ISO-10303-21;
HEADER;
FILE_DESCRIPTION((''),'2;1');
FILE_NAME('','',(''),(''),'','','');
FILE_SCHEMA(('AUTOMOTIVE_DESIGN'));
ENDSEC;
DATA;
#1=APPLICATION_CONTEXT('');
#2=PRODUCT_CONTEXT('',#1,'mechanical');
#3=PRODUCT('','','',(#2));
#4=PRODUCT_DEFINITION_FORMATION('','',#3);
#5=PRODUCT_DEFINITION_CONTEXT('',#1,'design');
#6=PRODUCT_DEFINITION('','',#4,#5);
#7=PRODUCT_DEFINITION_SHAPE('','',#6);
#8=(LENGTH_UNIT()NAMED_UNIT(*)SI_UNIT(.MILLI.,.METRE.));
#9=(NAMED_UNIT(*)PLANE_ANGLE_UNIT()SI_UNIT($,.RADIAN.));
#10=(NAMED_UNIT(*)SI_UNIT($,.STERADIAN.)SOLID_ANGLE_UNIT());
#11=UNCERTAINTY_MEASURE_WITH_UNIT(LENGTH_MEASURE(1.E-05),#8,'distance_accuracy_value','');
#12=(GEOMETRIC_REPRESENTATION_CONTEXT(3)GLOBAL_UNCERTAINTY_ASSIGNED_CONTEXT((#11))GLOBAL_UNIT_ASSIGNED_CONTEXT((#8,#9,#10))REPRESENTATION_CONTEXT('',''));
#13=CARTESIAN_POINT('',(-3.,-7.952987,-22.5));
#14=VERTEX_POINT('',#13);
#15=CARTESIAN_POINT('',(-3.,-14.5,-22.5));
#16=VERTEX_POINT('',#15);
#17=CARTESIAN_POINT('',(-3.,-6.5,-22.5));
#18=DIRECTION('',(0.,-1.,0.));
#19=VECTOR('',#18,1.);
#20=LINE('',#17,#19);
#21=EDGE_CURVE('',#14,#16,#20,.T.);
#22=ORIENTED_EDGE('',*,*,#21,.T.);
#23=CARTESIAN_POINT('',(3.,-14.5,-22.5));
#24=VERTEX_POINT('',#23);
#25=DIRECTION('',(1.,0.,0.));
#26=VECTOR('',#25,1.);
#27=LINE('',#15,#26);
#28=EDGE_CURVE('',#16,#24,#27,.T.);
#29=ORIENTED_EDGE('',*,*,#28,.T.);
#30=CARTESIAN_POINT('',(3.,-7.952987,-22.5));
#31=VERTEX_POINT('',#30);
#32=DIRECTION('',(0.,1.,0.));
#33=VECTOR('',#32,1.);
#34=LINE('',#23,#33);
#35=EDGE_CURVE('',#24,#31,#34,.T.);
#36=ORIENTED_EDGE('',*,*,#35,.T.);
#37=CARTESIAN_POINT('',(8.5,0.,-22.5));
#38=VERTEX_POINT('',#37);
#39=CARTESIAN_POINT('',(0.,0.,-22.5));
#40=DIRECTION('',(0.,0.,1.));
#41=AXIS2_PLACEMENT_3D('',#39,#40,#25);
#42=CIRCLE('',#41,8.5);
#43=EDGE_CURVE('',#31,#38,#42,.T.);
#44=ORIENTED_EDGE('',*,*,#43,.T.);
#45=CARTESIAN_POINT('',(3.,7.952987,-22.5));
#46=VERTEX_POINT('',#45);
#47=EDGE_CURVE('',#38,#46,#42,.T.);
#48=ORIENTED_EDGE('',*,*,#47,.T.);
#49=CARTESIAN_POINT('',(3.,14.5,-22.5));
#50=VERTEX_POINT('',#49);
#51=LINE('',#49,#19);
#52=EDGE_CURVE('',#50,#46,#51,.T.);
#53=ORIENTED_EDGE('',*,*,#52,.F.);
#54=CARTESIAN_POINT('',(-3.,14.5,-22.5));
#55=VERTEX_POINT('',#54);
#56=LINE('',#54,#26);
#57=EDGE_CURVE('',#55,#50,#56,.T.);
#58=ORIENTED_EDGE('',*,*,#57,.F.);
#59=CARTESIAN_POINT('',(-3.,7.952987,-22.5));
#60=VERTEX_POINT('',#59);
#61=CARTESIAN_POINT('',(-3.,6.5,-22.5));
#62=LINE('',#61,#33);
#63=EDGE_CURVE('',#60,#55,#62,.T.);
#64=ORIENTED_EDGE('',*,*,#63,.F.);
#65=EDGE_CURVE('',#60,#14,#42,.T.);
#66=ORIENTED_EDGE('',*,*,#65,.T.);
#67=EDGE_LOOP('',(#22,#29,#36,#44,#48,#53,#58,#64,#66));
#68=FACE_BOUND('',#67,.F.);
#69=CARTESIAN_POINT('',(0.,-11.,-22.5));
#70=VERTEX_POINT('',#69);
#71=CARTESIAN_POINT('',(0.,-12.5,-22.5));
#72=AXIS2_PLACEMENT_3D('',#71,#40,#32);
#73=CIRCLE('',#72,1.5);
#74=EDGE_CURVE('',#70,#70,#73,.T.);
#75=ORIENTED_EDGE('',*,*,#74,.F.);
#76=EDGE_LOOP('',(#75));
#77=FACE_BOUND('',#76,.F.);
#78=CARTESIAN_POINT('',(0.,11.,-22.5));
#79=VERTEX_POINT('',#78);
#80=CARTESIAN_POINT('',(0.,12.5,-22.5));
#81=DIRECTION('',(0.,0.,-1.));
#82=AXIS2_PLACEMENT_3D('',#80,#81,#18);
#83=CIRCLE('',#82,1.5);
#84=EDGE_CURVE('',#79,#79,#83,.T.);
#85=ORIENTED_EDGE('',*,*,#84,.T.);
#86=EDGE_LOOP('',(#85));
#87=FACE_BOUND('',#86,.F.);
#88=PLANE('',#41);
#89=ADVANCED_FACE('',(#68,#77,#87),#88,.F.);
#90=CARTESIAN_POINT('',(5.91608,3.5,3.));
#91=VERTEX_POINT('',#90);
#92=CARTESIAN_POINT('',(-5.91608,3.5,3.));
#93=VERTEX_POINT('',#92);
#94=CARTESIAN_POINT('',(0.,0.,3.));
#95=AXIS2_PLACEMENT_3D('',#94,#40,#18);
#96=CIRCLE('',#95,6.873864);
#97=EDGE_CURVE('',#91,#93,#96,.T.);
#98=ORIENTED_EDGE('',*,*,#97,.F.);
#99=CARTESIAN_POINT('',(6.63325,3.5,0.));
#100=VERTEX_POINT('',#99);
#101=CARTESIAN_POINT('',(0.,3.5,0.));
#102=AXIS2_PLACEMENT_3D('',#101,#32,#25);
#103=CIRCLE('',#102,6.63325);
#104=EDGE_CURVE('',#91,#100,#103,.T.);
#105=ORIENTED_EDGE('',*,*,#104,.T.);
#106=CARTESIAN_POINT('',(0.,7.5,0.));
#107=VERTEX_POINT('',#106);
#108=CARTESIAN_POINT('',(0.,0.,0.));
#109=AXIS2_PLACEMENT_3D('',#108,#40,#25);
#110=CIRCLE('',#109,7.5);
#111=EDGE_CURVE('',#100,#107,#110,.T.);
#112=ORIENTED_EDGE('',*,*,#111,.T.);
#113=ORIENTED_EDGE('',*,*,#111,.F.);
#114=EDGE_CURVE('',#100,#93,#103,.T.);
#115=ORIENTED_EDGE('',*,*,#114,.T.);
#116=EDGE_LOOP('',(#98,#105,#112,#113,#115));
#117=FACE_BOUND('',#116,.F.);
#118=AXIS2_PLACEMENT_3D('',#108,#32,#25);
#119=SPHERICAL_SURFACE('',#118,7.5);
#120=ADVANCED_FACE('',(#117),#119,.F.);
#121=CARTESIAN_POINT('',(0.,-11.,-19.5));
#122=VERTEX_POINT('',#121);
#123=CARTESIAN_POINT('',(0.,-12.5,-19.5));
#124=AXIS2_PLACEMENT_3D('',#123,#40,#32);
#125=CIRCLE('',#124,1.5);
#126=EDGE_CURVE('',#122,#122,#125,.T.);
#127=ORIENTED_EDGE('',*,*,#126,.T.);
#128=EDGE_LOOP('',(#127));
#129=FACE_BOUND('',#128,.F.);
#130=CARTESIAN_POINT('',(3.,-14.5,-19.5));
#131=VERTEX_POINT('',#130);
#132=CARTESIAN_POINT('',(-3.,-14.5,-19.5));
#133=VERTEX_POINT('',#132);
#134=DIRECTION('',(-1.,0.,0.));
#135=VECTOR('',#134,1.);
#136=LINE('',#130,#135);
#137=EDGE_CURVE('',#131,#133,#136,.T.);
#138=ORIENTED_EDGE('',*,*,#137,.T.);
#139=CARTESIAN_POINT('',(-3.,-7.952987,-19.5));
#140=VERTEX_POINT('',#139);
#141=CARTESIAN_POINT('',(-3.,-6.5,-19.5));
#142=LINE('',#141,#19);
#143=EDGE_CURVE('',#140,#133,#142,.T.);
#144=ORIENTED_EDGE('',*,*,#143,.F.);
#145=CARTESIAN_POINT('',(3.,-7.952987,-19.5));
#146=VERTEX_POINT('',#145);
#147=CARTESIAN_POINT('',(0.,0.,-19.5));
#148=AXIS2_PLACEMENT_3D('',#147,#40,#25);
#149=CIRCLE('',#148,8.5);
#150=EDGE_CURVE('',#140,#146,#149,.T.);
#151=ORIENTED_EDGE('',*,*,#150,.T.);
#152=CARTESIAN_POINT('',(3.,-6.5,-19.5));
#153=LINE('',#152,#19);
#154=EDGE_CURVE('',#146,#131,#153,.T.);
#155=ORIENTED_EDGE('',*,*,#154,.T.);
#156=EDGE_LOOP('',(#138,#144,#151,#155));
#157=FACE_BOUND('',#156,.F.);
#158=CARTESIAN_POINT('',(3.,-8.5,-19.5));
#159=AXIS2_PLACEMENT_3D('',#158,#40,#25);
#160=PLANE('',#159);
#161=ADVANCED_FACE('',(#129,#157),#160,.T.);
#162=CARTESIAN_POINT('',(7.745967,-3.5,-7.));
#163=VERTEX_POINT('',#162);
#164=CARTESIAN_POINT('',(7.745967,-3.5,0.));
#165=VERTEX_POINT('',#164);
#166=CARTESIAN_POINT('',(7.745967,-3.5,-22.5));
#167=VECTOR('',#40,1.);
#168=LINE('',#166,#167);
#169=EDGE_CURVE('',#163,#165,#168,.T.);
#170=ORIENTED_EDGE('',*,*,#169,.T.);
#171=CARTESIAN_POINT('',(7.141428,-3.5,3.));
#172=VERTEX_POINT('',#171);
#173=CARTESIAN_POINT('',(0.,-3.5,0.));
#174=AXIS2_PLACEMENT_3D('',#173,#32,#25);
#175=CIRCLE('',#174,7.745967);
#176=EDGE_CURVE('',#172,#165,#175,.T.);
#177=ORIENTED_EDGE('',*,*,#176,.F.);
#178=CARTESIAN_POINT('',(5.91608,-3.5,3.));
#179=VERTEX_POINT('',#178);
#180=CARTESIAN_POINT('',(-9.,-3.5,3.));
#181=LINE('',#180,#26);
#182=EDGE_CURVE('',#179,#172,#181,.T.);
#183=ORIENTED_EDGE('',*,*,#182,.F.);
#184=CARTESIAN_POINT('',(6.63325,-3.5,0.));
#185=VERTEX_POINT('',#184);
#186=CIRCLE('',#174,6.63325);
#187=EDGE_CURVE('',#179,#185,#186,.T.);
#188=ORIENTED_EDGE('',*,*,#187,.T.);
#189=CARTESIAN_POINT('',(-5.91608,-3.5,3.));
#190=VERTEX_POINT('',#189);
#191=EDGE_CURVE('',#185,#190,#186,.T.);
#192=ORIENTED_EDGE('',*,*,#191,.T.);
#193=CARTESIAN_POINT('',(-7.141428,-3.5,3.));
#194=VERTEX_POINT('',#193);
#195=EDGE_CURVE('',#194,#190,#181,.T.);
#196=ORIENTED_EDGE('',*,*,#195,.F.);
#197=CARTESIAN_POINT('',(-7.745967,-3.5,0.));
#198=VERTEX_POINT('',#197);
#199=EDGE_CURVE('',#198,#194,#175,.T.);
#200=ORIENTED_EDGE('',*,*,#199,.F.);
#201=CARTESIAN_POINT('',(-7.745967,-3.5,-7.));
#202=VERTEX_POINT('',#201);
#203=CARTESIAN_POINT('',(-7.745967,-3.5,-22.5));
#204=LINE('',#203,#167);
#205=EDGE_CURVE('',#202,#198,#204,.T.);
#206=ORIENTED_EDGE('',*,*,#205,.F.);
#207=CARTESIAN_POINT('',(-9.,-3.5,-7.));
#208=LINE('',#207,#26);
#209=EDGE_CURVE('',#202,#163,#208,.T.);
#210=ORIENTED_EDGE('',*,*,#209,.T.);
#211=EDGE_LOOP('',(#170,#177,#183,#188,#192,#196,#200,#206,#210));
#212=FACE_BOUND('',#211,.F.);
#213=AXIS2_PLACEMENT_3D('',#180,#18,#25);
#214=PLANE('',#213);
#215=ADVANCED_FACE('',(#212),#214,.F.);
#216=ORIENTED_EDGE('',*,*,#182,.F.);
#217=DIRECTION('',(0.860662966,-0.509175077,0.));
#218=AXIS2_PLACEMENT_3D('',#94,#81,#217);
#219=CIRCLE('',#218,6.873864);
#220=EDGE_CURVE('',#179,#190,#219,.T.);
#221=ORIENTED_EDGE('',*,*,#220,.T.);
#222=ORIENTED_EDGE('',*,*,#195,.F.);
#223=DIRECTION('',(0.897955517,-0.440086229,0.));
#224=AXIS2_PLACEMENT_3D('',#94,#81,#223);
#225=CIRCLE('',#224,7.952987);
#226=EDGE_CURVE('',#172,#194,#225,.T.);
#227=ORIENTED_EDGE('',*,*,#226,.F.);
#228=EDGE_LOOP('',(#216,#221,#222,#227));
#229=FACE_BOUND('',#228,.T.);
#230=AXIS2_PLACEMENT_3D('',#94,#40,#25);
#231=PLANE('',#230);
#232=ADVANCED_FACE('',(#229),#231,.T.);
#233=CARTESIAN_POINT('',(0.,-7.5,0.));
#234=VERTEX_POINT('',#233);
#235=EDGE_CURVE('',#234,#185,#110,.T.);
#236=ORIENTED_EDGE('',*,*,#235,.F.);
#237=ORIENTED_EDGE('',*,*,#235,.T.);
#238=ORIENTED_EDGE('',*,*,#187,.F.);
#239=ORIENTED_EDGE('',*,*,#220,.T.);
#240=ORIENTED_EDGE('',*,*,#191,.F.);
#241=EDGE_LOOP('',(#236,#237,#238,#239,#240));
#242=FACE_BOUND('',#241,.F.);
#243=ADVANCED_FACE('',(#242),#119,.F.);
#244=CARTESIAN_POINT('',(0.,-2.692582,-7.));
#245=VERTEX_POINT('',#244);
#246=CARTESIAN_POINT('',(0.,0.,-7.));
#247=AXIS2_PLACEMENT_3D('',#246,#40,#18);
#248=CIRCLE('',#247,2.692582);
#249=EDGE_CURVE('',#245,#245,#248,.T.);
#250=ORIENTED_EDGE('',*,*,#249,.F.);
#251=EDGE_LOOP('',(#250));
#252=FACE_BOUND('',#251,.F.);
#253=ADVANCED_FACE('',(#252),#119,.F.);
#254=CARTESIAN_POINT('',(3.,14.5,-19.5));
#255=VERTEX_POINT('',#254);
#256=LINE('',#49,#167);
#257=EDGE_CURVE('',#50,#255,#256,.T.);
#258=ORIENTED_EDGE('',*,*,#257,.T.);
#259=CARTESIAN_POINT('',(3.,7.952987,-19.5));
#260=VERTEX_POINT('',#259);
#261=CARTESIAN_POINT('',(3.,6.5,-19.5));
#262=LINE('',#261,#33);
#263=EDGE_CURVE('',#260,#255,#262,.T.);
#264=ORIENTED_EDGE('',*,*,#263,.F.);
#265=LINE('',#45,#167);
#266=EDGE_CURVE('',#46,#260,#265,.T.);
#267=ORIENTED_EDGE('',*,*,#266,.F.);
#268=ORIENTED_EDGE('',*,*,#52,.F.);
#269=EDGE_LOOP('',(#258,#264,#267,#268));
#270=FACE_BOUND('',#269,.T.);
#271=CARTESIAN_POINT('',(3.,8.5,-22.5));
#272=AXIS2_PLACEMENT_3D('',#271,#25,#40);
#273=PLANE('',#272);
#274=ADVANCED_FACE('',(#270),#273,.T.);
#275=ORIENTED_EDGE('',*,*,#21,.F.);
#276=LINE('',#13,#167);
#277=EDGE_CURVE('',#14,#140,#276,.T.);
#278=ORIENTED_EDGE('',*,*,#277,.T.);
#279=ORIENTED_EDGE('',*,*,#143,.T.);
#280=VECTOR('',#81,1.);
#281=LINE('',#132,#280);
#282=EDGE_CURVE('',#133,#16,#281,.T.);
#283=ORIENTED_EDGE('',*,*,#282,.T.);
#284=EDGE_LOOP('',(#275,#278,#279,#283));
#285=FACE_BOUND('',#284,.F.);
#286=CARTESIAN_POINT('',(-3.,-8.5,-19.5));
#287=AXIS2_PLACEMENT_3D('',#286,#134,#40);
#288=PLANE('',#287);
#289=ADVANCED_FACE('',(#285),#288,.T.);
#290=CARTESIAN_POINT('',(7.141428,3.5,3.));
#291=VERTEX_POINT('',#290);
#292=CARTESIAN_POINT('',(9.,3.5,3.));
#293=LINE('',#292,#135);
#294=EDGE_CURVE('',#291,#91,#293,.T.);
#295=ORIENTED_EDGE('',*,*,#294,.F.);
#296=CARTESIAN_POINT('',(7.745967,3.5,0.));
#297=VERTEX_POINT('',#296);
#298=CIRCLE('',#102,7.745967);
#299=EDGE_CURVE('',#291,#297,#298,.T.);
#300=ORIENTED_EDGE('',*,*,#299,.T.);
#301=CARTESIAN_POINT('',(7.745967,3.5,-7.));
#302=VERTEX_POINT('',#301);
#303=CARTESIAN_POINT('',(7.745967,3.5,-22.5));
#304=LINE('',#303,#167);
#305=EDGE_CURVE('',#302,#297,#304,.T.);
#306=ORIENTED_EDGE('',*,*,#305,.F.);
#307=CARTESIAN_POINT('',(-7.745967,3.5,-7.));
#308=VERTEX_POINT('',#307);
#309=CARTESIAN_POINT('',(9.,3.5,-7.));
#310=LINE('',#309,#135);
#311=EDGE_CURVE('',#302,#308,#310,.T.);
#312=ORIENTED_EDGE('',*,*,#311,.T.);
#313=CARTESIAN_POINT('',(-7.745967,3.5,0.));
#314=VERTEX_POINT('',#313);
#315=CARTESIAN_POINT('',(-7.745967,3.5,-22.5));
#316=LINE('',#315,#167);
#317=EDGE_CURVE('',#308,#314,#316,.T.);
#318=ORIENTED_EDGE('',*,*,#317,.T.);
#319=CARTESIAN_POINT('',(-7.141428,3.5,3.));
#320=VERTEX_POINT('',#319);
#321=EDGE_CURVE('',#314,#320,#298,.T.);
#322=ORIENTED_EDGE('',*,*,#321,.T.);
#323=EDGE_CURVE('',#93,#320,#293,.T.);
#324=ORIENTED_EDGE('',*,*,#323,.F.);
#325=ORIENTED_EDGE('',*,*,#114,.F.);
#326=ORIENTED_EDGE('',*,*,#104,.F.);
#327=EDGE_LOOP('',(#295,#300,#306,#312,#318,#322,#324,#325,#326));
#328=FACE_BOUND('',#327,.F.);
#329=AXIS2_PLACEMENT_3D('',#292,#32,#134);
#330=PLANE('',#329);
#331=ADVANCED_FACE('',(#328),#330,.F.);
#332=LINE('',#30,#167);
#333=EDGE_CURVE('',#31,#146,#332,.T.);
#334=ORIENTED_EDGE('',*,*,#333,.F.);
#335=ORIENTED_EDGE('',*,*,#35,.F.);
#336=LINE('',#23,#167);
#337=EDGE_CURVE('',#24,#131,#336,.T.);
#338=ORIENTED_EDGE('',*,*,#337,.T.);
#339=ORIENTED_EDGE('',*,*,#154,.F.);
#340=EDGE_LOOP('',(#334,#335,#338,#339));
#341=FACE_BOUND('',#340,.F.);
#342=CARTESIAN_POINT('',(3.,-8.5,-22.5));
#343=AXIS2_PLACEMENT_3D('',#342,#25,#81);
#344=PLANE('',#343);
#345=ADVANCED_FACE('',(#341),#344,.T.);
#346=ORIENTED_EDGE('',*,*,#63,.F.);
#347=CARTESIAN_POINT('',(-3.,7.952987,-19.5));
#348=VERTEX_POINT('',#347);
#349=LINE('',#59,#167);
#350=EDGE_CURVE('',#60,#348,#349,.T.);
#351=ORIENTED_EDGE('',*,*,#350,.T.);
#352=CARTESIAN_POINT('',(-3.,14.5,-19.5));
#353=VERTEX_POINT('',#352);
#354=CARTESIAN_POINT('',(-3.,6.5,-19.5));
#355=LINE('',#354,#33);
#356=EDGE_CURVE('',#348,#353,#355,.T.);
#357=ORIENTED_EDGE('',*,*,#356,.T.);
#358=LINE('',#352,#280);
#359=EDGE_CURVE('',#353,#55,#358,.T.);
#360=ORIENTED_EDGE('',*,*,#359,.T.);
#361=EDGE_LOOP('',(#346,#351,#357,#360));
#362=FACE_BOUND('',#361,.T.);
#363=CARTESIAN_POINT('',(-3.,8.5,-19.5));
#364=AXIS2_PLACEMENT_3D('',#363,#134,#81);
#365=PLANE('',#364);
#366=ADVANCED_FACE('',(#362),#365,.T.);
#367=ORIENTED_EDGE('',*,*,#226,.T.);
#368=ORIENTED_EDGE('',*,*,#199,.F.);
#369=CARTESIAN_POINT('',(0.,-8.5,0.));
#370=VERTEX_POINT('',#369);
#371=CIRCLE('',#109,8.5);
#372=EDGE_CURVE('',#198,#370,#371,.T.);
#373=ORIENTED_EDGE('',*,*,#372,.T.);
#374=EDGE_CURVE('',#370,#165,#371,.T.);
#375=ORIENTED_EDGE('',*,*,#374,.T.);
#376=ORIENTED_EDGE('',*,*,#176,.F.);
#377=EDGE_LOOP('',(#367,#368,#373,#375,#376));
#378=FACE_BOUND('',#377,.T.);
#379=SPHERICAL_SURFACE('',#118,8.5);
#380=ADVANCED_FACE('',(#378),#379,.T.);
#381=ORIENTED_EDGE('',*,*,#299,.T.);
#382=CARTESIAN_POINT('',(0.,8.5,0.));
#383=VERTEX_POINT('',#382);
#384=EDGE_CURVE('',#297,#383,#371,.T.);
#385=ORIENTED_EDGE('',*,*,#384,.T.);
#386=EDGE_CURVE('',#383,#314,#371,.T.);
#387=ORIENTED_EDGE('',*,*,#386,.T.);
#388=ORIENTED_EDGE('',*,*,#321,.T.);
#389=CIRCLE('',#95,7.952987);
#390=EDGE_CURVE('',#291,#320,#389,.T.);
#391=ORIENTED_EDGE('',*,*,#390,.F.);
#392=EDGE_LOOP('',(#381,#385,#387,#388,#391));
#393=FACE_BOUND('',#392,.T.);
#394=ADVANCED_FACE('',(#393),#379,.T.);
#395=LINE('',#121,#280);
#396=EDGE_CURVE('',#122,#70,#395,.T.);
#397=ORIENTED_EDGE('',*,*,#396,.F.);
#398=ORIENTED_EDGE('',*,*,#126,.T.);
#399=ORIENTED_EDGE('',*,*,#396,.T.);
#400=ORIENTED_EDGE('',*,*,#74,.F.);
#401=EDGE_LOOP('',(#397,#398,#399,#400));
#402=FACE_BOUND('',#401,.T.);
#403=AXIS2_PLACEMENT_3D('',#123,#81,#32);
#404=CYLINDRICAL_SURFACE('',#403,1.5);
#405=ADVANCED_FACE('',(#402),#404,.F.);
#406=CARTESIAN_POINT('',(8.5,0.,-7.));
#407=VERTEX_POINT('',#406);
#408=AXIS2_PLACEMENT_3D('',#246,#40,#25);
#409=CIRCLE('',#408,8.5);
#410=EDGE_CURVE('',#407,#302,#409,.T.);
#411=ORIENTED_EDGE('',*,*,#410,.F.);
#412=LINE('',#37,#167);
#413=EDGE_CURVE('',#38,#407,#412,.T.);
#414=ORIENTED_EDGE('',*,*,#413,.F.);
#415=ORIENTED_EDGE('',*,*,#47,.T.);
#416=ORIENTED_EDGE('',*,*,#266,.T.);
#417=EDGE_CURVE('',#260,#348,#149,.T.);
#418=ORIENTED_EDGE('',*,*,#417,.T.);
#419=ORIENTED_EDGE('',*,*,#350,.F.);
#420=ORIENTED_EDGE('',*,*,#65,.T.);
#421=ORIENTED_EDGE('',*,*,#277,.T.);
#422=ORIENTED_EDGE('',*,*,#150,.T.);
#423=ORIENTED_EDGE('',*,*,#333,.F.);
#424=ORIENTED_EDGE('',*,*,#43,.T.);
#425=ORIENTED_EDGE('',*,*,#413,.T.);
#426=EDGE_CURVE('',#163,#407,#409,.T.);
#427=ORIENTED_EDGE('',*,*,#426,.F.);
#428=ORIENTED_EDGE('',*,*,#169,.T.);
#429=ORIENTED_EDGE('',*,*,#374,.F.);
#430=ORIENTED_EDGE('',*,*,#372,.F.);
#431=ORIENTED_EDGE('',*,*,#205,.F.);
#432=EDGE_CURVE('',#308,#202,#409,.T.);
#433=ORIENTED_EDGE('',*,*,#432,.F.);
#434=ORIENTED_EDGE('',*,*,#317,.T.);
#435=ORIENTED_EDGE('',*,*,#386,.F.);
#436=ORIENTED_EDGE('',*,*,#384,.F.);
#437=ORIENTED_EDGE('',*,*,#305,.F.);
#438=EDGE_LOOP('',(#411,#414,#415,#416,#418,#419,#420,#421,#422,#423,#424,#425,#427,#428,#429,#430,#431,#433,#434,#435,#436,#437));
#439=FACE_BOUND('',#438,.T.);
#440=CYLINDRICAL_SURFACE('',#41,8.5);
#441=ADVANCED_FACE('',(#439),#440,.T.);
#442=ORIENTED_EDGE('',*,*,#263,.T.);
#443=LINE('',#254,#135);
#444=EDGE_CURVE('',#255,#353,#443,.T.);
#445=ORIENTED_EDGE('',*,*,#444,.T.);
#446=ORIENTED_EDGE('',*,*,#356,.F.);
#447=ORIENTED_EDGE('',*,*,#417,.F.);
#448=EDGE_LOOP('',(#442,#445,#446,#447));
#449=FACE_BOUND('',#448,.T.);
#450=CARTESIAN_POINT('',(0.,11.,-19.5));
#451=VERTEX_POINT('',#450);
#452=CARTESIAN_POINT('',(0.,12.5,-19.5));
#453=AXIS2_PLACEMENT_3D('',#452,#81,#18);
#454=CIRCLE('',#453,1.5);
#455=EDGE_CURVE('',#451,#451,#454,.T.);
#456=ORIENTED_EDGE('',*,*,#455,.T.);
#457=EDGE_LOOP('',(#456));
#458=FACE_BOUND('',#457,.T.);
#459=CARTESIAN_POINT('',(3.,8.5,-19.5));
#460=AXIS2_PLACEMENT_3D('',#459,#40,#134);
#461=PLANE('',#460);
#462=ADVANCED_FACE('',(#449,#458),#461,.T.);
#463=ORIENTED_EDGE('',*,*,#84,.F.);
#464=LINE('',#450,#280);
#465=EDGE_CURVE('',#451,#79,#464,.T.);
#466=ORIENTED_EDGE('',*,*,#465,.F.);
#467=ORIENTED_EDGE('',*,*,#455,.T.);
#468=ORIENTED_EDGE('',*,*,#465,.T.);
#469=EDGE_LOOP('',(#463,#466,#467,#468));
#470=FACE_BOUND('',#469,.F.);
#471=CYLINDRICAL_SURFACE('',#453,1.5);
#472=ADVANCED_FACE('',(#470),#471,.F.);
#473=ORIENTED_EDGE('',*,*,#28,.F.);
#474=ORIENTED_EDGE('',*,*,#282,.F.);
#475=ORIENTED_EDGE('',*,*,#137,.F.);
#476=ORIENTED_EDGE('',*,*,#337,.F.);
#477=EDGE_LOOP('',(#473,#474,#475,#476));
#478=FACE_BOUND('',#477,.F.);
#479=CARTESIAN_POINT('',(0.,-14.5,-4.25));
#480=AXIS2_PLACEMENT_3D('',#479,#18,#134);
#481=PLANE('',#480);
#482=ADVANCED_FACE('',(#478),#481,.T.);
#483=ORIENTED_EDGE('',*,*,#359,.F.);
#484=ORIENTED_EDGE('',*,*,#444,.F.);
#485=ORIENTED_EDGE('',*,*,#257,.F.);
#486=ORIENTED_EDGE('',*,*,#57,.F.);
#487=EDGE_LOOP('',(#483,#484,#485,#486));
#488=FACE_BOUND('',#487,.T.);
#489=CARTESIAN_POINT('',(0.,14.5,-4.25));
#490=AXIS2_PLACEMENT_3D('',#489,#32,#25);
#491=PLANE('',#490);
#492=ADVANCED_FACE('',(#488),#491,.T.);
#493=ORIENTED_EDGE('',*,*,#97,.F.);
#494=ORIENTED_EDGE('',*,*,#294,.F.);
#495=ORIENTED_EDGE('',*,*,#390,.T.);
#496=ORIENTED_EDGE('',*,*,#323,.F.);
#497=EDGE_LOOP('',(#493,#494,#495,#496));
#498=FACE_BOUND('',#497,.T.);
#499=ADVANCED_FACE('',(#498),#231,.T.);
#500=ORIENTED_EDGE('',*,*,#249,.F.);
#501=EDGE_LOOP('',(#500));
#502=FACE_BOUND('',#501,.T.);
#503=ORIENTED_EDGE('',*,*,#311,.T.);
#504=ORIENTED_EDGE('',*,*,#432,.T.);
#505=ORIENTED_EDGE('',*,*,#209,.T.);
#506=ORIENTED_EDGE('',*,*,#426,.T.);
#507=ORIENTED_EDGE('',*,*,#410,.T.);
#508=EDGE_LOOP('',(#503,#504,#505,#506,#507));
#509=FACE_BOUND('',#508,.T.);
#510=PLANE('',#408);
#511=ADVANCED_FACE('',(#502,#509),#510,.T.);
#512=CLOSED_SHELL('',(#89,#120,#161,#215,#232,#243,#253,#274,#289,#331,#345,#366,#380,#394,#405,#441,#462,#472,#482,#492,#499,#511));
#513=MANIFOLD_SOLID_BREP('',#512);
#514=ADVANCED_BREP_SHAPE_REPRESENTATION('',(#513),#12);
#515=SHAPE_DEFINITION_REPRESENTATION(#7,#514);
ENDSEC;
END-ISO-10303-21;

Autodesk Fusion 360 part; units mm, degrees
sphere "Sphère de départ" add diameter 17 placed x (1, 0, 0) y (0, 0, -1) z (0, 1, 0) at (0, 0, 0) makes body 1
shell "Evidage sphère" thickness 1 removed faces 0 bodies 1
ref_plane "WorkPlane1" through (0, 0, 3) normal (0, 0, 1) x (1, 0, 0)
split "Section avant" by plane through (0, 0, 3) normal (0, 0, 1) bodies 1 makes body 2 at (-5.4981, 0.571, 6.4572)
delete_body "RemoveBody1" bodies 2
cylinder "Cylindre extension" add diameter 17 height -22.5 placed x (1, 0, 0) y (0, 1, 0) z (0, 0, 1) at (0, 0, 0) separate body makes body 3
sphere "Shère évidage cylindre" cut diameter 15 placed x (1, 0, 0) y (0, 0, -1) z (0, 1, 0) at (0, 0, 0) bodies 3
combine "Combine1" operation add target body 1 tool bodies 3
ref_plane "WorkPlane4" through (0, 8.5, -11.25) normal (0, 1, 0) x (1, 0, 0)
sketch "Sketch vis haut" plane through (0, 8.5, -4.25) normal (0, 1, 0) x (1, 0, 0)
  line L0 (0, 18.25) -> (0, 16.75)
  line L1 (-3, 18.25) -> (3, 18.25)
  line L2 (3, 18.25) -> (3, 15.25)
  line L3 (3, 15.25) -> (-3, 15.25)
  line L4 (-3, 15.25) -> (-3, 18.25)
  line L5 (0, 16.75) -> (0.1, 16.75)
  point P0 (0, 16.75)
  point P1 (0, 18.25)
  dimension "d72" = 1.5
  dimension "d73" = 3
  dimension "d74" = 6
extrude "Extrude vis haut" add sketch "Sketch vis haut" along normal blind 6 and the other way blind 2 separate body makes body 4
hole "Trou vis haut" at (0, 11.5, -19.5) direction (0, 0, -1) diameter 3 depth 3 tip angle 180 bodies 4
mirror "Mirroir vis" about plane through (0, 0, 0) normal (0, 1, 0) of bodies 4 makes body 5
combine "Combine2" operation add target body 1 tool bodies 4 5
sketch "Sketch13" plane through (0, 0, 3) normal (0, 0, 1) x (1, 0, 0)
  line L0 (9, 3.5) -> (-9, 3.5)
  line L1 (-9, 3.5) -> (-9, -3.5)
  line L2 (-9, -3.5) -> (9, -3.5)
  line L3 (9, -3.5) -> (9, 3.5)
  line L4 (9, 3.5) -> (-9, -3.5) construction
  line L5 (-9, 3.5) -> (9, -3.5) construction
  dimension "d54" = 7
  dimension "d55" = 18
extrude "Extrude écartement" cut sketch "Sketch13" against normal blind 10 bodies 1
